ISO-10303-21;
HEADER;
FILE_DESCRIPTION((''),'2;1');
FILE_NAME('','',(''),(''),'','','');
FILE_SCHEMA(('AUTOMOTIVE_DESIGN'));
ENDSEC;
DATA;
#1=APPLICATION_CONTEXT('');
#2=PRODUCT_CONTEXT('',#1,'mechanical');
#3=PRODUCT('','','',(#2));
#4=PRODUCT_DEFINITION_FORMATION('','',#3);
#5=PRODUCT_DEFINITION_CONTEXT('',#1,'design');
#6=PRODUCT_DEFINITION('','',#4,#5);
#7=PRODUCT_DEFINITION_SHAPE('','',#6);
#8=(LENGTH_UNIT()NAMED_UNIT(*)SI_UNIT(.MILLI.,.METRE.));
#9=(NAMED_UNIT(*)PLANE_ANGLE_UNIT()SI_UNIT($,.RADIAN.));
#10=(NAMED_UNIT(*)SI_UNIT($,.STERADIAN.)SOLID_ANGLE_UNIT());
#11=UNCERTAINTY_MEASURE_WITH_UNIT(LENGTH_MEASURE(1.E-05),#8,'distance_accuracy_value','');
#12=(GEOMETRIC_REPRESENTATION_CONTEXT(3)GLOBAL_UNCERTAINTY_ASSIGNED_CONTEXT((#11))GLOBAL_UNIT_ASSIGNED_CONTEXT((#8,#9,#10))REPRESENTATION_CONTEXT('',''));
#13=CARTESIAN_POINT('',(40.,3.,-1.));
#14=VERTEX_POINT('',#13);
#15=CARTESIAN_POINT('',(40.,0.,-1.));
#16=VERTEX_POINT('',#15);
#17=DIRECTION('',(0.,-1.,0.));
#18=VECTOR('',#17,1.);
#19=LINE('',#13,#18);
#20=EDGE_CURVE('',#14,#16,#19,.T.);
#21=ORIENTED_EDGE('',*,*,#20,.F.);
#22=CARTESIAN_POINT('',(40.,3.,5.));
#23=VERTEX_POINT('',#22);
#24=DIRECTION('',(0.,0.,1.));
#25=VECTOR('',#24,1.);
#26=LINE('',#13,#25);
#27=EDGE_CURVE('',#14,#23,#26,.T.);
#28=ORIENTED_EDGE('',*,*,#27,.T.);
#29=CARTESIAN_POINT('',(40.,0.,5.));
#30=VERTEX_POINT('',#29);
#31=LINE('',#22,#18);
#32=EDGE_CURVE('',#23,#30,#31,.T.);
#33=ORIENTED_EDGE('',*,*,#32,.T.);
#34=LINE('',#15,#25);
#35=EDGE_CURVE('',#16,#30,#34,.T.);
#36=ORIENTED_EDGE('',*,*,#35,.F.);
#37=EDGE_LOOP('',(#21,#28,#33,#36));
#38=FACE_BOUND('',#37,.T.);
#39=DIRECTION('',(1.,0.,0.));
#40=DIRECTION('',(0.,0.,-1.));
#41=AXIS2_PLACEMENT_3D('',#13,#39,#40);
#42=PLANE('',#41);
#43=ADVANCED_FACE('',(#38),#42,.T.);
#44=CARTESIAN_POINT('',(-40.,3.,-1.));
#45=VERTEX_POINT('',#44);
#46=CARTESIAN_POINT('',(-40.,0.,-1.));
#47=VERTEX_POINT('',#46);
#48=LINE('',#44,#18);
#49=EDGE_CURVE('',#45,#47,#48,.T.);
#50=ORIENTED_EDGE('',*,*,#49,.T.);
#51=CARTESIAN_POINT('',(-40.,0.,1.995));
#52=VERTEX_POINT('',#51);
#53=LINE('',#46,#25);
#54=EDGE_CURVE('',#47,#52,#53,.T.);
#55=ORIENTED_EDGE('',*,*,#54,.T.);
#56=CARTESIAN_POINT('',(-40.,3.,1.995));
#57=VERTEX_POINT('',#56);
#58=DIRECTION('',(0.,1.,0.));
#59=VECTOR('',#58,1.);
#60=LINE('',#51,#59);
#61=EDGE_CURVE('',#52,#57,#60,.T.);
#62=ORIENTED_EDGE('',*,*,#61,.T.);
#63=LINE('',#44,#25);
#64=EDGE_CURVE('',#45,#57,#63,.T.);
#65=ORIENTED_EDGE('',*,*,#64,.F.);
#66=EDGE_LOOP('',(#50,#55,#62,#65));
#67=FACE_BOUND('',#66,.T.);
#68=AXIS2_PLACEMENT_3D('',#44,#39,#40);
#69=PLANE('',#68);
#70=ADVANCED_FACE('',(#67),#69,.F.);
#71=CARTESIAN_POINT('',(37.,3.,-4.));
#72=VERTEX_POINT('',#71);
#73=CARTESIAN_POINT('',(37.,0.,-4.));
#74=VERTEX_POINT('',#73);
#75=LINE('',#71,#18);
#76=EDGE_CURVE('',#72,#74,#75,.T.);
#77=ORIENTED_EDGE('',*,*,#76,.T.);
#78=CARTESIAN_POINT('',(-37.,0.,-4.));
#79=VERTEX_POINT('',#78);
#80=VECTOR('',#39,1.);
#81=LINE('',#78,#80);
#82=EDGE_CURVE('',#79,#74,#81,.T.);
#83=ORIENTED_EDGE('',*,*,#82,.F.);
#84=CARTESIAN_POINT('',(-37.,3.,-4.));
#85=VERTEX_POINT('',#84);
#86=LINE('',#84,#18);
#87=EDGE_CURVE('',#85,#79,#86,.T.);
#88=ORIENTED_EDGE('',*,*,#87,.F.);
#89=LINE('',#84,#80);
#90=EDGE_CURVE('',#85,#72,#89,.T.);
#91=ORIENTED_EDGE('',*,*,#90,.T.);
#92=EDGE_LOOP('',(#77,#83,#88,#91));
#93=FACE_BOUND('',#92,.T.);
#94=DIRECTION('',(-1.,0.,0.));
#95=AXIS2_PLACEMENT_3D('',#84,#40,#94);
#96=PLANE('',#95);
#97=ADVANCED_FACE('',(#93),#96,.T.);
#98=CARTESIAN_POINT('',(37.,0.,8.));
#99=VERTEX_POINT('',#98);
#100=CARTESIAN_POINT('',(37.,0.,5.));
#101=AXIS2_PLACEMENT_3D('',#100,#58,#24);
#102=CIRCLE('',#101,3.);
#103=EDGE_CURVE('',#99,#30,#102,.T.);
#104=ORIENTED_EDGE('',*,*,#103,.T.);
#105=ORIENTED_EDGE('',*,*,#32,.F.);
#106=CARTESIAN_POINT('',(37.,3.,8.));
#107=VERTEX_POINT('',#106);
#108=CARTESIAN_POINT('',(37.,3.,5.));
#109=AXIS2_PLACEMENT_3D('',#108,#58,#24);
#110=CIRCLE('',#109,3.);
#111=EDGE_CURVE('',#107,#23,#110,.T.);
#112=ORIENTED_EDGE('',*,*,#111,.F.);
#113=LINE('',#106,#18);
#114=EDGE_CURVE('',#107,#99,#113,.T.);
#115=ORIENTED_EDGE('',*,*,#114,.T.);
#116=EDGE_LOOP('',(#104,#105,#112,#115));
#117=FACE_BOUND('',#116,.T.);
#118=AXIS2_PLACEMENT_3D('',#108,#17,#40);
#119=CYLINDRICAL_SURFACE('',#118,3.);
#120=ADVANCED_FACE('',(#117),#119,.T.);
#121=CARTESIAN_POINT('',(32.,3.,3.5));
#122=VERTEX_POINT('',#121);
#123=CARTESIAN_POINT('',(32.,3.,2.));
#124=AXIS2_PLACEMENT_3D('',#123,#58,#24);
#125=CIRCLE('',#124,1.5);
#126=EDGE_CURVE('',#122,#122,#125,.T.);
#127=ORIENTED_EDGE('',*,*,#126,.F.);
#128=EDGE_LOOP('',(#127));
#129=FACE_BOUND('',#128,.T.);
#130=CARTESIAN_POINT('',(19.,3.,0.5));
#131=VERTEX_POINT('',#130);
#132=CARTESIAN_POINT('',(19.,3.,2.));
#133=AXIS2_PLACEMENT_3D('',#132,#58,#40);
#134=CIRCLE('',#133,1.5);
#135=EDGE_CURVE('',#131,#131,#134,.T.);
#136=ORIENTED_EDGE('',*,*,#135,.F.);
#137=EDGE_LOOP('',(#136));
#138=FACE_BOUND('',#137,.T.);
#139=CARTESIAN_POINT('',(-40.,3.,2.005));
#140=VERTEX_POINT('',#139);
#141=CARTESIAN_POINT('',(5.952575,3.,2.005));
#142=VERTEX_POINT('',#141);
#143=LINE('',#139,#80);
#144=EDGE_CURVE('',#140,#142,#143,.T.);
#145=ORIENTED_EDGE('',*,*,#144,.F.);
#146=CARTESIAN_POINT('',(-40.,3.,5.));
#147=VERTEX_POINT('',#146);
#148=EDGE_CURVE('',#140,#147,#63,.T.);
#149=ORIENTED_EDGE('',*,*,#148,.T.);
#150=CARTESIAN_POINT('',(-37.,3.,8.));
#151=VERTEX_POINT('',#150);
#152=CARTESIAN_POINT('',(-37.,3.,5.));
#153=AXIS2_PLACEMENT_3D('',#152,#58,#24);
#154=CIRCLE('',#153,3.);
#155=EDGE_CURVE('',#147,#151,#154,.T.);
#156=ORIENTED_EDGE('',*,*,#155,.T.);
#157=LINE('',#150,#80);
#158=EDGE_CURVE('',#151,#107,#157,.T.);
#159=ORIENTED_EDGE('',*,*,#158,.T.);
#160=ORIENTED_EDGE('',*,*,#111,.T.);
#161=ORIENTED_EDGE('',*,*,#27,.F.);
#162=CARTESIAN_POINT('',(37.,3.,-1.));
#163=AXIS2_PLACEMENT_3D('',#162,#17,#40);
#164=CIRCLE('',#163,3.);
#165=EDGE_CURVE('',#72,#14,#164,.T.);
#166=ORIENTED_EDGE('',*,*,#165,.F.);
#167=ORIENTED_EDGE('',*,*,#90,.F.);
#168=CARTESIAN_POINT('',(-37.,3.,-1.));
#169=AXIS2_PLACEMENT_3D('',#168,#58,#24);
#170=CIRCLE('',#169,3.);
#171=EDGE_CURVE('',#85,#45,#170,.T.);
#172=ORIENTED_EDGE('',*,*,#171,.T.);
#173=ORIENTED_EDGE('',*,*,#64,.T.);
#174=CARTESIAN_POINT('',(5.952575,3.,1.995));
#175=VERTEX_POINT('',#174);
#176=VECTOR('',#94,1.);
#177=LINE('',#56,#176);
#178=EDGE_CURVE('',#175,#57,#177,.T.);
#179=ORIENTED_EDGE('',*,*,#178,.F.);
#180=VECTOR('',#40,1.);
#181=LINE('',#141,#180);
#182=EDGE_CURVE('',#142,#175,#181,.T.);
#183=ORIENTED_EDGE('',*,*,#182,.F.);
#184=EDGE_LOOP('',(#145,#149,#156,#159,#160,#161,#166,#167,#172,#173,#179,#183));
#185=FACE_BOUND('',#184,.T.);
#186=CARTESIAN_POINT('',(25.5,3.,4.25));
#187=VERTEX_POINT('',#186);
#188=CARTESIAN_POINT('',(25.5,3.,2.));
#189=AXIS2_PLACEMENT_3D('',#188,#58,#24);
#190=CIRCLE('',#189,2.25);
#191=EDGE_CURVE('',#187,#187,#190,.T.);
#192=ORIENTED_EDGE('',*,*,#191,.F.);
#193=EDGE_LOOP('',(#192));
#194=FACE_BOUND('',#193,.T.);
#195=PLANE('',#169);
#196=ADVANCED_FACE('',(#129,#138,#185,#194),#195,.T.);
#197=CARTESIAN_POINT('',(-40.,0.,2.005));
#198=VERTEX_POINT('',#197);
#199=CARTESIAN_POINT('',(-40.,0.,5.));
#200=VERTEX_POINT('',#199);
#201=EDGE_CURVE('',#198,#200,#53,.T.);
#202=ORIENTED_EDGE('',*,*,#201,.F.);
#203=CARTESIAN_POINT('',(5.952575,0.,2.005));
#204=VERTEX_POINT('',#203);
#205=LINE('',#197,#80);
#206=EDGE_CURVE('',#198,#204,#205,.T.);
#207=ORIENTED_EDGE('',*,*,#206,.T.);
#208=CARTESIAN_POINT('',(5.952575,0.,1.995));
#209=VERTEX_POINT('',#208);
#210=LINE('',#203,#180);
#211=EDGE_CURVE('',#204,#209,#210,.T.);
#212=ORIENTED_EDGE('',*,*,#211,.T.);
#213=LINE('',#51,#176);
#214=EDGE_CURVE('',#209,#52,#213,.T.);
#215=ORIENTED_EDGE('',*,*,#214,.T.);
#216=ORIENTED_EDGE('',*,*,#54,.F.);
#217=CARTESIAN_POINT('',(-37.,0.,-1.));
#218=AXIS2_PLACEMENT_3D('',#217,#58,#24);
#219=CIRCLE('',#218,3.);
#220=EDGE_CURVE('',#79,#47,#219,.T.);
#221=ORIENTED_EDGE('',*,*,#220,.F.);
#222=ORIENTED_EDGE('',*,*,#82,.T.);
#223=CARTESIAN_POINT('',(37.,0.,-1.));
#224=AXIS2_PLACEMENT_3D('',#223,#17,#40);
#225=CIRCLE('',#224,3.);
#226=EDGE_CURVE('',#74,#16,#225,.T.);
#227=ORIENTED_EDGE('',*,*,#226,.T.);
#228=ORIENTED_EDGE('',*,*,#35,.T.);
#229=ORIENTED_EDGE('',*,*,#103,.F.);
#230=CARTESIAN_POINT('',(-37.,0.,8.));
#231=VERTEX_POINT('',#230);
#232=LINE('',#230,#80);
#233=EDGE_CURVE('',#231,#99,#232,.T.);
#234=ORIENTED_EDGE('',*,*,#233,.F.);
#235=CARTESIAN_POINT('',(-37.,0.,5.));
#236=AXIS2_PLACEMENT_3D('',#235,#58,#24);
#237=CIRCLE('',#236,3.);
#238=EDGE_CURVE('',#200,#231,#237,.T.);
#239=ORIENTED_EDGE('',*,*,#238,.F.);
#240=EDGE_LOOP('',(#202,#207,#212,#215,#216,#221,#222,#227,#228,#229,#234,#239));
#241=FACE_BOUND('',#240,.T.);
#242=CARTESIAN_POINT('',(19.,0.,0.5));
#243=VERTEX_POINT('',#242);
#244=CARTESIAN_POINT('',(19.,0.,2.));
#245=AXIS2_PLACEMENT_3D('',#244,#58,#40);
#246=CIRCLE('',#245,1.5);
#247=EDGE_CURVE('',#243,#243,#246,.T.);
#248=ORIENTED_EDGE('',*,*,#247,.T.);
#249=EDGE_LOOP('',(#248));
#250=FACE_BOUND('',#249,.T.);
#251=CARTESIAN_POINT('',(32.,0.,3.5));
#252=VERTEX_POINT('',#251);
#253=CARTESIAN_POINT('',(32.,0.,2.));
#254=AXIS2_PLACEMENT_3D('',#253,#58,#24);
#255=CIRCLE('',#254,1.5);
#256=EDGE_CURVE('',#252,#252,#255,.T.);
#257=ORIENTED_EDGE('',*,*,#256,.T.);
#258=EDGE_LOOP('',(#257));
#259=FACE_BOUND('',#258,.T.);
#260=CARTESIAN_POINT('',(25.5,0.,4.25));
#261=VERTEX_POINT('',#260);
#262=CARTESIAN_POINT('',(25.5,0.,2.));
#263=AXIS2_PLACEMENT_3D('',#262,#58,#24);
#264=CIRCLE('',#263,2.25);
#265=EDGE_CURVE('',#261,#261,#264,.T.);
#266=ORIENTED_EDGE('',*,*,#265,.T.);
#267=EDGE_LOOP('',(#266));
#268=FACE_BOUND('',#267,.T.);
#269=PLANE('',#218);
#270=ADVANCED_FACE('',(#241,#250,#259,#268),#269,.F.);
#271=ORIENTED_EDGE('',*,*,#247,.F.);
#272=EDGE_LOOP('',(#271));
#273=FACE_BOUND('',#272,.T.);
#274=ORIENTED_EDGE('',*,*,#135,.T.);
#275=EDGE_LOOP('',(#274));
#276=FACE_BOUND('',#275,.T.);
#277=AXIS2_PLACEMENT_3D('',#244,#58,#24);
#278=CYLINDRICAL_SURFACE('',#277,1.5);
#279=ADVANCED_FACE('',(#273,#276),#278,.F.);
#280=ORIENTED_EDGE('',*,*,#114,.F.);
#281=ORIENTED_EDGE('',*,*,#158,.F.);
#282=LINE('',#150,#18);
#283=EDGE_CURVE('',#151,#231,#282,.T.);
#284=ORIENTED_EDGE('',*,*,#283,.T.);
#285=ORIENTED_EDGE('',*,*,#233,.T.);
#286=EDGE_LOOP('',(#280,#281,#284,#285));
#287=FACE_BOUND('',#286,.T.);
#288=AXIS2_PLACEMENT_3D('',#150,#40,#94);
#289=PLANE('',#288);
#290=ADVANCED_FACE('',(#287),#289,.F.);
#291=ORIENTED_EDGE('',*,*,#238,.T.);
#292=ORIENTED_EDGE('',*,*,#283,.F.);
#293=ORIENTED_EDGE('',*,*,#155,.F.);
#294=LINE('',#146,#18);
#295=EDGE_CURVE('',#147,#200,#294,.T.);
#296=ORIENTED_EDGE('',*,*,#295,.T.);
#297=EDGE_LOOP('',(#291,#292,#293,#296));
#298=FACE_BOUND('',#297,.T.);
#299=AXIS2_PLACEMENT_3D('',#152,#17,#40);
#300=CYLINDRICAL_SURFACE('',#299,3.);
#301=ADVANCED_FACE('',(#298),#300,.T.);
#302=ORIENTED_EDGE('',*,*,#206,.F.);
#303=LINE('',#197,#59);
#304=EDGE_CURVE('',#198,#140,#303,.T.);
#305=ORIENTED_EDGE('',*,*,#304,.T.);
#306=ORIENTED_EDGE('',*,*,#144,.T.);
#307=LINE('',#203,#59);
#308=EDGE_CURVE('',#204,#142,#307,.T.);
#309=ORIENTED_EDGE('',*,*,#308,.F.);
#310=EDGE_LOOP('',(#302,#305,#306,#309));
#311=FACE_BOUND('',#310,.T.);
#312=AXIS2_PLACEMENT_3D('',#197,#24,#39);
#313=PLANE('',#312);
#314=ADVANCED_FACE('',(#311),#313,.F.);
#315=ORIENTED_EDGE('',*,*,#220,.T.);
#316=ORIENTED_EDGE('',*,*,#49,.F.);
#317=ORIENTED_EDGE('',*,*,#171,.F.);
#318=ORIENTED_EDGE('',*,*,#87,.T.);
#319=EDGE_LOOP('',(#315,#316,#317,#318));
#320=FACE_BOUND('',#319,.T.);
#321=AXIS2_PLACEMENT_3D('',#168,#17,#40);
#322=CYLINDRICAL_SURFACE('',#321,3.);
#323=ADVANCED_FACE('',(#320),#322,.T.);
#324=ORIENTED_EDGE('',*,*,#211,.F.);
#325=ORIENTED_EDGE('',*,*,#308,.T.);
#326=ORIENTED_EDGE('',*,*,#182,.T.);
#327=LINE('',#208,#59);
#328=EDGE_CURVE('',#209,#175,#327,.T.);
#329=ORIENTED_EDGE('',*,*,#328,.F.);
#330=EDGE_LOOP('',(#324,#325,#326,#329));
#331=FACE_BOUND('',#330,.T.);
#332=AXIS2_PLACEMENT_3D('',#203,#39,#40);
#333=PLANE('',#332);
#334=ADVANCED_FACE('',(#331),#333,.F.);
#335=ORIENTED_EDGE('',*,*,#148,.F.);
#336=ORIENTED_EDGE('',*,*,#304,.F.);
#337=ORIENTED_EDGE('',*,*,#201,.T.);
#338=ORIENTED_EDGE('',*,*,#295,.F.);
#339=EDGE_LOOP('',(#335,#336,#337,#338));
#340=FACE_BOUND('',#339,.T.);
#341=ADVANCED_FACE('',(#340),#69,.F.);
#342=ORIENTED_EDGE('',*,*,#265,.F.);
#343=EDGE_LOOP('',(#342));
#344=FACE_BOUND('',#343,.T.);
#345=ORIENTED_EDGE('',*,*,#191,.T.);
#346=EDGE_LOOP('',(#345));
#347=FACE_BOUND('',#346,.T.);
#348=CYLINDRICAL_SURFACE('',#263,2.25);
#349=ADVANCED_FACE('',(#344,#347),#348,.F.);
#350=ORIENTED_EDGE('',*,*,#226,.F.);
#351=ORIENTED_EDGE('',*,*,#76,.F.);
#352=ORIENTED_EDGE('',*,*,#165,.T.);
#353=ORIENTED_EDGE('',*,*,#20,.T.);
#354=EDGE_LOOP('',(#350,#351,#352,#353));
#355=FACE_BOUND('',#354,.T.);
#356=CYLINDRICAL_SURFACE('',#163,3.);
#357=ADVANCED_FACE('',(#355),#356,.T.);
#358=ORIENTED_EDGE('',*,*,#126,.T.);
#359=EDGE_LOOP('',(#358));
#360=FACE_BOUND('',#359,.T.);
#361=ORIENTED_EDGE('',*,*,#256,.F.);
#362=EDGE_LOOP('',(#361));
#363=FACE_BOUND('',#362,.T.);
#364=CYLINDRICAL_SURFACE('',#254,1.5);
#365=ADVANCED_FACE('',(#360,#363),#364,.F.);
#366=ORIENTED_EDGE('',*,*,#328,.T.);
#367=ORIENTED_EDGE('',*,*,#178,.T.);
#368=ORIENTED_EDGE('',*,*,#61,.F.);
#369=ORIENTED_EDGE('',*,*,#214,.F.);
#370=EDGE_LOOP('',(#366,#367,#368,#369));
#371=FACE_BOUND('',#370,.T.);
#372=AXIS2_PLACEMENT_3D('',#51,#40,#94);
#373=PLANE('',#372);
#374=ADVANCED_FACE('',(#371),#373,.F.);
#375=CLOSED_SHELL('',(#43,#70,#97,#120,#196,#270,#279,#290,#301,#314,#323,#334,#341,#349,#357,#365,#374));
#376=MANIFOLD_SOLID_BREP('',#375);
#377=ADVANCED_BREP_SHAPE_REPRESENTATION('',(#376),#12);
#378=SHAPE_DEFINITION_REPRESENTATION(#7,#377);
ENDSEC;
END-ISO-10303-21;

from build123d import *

# Parameters (mm, degrees)
BOSS_EXTRUDE1_DEPTH = 3
SKETCH2_R           = 1.5
SKETCH2_R_2         = 2.25
SKETCH2_W           = 45.952575141
SKETCH2_H           = 0.01
CUT_EXTRUDE1_DEPTH  = 4


with BuildPart() as part:
    # Sketch1 → Boss-Extrude1 (new body)
    with BuildSketch(Plane(origin=(0, 0, 0), x_dir=(1, 0, 0), z_dir=(0, 1, 0))):
        with BuildLine():
            Line((-37, 4), (37, 4))
            ThreePointArc((37, 4), (39.121320344, 3.121320344), (40, 1))
            Line((40, 1), (40, -5))
            ThreePointArc((40, -5), (39.121320344, -7.121320344), (37, -8))
            Line((37, -8), (-37, -8))
            ThreePointArc((-37, -8), (-39.121320344, -7.121320344), (-40, -5))
            Line((-40, -5), (-40, 1))
            ThreePointArc((-40, 1), (-39.121320344, 3.121320344), (-37, 4))
        make_face()
    extrude(amount=BOSS_EXTRUDE1_DEPTH)

    # Sketch2 → Cut-Extrude1 (cut, through all)
    with BuildSketch(Plane(origin=(0, 3, 0), x_dir=(1, 0, 0), z_dir=(0, 1, 0))):
        with Locations((32, -2)):
            Circle(SKETCH2_R)
        with Locations((25.5, -2)):
            Circle(SKETCH2_R_2)
        with Locations((19, -2)):
            Circle(SKETCH2_R)
        with Locations((-17.02371243, -2)):
            Rectangle(SKETCH2_W, SKETCH2_H)
    extrude(amount=-CUT_EXTRUDE1_DEPTH, mode=Mode.SUBTRACT)


solid = part.part
